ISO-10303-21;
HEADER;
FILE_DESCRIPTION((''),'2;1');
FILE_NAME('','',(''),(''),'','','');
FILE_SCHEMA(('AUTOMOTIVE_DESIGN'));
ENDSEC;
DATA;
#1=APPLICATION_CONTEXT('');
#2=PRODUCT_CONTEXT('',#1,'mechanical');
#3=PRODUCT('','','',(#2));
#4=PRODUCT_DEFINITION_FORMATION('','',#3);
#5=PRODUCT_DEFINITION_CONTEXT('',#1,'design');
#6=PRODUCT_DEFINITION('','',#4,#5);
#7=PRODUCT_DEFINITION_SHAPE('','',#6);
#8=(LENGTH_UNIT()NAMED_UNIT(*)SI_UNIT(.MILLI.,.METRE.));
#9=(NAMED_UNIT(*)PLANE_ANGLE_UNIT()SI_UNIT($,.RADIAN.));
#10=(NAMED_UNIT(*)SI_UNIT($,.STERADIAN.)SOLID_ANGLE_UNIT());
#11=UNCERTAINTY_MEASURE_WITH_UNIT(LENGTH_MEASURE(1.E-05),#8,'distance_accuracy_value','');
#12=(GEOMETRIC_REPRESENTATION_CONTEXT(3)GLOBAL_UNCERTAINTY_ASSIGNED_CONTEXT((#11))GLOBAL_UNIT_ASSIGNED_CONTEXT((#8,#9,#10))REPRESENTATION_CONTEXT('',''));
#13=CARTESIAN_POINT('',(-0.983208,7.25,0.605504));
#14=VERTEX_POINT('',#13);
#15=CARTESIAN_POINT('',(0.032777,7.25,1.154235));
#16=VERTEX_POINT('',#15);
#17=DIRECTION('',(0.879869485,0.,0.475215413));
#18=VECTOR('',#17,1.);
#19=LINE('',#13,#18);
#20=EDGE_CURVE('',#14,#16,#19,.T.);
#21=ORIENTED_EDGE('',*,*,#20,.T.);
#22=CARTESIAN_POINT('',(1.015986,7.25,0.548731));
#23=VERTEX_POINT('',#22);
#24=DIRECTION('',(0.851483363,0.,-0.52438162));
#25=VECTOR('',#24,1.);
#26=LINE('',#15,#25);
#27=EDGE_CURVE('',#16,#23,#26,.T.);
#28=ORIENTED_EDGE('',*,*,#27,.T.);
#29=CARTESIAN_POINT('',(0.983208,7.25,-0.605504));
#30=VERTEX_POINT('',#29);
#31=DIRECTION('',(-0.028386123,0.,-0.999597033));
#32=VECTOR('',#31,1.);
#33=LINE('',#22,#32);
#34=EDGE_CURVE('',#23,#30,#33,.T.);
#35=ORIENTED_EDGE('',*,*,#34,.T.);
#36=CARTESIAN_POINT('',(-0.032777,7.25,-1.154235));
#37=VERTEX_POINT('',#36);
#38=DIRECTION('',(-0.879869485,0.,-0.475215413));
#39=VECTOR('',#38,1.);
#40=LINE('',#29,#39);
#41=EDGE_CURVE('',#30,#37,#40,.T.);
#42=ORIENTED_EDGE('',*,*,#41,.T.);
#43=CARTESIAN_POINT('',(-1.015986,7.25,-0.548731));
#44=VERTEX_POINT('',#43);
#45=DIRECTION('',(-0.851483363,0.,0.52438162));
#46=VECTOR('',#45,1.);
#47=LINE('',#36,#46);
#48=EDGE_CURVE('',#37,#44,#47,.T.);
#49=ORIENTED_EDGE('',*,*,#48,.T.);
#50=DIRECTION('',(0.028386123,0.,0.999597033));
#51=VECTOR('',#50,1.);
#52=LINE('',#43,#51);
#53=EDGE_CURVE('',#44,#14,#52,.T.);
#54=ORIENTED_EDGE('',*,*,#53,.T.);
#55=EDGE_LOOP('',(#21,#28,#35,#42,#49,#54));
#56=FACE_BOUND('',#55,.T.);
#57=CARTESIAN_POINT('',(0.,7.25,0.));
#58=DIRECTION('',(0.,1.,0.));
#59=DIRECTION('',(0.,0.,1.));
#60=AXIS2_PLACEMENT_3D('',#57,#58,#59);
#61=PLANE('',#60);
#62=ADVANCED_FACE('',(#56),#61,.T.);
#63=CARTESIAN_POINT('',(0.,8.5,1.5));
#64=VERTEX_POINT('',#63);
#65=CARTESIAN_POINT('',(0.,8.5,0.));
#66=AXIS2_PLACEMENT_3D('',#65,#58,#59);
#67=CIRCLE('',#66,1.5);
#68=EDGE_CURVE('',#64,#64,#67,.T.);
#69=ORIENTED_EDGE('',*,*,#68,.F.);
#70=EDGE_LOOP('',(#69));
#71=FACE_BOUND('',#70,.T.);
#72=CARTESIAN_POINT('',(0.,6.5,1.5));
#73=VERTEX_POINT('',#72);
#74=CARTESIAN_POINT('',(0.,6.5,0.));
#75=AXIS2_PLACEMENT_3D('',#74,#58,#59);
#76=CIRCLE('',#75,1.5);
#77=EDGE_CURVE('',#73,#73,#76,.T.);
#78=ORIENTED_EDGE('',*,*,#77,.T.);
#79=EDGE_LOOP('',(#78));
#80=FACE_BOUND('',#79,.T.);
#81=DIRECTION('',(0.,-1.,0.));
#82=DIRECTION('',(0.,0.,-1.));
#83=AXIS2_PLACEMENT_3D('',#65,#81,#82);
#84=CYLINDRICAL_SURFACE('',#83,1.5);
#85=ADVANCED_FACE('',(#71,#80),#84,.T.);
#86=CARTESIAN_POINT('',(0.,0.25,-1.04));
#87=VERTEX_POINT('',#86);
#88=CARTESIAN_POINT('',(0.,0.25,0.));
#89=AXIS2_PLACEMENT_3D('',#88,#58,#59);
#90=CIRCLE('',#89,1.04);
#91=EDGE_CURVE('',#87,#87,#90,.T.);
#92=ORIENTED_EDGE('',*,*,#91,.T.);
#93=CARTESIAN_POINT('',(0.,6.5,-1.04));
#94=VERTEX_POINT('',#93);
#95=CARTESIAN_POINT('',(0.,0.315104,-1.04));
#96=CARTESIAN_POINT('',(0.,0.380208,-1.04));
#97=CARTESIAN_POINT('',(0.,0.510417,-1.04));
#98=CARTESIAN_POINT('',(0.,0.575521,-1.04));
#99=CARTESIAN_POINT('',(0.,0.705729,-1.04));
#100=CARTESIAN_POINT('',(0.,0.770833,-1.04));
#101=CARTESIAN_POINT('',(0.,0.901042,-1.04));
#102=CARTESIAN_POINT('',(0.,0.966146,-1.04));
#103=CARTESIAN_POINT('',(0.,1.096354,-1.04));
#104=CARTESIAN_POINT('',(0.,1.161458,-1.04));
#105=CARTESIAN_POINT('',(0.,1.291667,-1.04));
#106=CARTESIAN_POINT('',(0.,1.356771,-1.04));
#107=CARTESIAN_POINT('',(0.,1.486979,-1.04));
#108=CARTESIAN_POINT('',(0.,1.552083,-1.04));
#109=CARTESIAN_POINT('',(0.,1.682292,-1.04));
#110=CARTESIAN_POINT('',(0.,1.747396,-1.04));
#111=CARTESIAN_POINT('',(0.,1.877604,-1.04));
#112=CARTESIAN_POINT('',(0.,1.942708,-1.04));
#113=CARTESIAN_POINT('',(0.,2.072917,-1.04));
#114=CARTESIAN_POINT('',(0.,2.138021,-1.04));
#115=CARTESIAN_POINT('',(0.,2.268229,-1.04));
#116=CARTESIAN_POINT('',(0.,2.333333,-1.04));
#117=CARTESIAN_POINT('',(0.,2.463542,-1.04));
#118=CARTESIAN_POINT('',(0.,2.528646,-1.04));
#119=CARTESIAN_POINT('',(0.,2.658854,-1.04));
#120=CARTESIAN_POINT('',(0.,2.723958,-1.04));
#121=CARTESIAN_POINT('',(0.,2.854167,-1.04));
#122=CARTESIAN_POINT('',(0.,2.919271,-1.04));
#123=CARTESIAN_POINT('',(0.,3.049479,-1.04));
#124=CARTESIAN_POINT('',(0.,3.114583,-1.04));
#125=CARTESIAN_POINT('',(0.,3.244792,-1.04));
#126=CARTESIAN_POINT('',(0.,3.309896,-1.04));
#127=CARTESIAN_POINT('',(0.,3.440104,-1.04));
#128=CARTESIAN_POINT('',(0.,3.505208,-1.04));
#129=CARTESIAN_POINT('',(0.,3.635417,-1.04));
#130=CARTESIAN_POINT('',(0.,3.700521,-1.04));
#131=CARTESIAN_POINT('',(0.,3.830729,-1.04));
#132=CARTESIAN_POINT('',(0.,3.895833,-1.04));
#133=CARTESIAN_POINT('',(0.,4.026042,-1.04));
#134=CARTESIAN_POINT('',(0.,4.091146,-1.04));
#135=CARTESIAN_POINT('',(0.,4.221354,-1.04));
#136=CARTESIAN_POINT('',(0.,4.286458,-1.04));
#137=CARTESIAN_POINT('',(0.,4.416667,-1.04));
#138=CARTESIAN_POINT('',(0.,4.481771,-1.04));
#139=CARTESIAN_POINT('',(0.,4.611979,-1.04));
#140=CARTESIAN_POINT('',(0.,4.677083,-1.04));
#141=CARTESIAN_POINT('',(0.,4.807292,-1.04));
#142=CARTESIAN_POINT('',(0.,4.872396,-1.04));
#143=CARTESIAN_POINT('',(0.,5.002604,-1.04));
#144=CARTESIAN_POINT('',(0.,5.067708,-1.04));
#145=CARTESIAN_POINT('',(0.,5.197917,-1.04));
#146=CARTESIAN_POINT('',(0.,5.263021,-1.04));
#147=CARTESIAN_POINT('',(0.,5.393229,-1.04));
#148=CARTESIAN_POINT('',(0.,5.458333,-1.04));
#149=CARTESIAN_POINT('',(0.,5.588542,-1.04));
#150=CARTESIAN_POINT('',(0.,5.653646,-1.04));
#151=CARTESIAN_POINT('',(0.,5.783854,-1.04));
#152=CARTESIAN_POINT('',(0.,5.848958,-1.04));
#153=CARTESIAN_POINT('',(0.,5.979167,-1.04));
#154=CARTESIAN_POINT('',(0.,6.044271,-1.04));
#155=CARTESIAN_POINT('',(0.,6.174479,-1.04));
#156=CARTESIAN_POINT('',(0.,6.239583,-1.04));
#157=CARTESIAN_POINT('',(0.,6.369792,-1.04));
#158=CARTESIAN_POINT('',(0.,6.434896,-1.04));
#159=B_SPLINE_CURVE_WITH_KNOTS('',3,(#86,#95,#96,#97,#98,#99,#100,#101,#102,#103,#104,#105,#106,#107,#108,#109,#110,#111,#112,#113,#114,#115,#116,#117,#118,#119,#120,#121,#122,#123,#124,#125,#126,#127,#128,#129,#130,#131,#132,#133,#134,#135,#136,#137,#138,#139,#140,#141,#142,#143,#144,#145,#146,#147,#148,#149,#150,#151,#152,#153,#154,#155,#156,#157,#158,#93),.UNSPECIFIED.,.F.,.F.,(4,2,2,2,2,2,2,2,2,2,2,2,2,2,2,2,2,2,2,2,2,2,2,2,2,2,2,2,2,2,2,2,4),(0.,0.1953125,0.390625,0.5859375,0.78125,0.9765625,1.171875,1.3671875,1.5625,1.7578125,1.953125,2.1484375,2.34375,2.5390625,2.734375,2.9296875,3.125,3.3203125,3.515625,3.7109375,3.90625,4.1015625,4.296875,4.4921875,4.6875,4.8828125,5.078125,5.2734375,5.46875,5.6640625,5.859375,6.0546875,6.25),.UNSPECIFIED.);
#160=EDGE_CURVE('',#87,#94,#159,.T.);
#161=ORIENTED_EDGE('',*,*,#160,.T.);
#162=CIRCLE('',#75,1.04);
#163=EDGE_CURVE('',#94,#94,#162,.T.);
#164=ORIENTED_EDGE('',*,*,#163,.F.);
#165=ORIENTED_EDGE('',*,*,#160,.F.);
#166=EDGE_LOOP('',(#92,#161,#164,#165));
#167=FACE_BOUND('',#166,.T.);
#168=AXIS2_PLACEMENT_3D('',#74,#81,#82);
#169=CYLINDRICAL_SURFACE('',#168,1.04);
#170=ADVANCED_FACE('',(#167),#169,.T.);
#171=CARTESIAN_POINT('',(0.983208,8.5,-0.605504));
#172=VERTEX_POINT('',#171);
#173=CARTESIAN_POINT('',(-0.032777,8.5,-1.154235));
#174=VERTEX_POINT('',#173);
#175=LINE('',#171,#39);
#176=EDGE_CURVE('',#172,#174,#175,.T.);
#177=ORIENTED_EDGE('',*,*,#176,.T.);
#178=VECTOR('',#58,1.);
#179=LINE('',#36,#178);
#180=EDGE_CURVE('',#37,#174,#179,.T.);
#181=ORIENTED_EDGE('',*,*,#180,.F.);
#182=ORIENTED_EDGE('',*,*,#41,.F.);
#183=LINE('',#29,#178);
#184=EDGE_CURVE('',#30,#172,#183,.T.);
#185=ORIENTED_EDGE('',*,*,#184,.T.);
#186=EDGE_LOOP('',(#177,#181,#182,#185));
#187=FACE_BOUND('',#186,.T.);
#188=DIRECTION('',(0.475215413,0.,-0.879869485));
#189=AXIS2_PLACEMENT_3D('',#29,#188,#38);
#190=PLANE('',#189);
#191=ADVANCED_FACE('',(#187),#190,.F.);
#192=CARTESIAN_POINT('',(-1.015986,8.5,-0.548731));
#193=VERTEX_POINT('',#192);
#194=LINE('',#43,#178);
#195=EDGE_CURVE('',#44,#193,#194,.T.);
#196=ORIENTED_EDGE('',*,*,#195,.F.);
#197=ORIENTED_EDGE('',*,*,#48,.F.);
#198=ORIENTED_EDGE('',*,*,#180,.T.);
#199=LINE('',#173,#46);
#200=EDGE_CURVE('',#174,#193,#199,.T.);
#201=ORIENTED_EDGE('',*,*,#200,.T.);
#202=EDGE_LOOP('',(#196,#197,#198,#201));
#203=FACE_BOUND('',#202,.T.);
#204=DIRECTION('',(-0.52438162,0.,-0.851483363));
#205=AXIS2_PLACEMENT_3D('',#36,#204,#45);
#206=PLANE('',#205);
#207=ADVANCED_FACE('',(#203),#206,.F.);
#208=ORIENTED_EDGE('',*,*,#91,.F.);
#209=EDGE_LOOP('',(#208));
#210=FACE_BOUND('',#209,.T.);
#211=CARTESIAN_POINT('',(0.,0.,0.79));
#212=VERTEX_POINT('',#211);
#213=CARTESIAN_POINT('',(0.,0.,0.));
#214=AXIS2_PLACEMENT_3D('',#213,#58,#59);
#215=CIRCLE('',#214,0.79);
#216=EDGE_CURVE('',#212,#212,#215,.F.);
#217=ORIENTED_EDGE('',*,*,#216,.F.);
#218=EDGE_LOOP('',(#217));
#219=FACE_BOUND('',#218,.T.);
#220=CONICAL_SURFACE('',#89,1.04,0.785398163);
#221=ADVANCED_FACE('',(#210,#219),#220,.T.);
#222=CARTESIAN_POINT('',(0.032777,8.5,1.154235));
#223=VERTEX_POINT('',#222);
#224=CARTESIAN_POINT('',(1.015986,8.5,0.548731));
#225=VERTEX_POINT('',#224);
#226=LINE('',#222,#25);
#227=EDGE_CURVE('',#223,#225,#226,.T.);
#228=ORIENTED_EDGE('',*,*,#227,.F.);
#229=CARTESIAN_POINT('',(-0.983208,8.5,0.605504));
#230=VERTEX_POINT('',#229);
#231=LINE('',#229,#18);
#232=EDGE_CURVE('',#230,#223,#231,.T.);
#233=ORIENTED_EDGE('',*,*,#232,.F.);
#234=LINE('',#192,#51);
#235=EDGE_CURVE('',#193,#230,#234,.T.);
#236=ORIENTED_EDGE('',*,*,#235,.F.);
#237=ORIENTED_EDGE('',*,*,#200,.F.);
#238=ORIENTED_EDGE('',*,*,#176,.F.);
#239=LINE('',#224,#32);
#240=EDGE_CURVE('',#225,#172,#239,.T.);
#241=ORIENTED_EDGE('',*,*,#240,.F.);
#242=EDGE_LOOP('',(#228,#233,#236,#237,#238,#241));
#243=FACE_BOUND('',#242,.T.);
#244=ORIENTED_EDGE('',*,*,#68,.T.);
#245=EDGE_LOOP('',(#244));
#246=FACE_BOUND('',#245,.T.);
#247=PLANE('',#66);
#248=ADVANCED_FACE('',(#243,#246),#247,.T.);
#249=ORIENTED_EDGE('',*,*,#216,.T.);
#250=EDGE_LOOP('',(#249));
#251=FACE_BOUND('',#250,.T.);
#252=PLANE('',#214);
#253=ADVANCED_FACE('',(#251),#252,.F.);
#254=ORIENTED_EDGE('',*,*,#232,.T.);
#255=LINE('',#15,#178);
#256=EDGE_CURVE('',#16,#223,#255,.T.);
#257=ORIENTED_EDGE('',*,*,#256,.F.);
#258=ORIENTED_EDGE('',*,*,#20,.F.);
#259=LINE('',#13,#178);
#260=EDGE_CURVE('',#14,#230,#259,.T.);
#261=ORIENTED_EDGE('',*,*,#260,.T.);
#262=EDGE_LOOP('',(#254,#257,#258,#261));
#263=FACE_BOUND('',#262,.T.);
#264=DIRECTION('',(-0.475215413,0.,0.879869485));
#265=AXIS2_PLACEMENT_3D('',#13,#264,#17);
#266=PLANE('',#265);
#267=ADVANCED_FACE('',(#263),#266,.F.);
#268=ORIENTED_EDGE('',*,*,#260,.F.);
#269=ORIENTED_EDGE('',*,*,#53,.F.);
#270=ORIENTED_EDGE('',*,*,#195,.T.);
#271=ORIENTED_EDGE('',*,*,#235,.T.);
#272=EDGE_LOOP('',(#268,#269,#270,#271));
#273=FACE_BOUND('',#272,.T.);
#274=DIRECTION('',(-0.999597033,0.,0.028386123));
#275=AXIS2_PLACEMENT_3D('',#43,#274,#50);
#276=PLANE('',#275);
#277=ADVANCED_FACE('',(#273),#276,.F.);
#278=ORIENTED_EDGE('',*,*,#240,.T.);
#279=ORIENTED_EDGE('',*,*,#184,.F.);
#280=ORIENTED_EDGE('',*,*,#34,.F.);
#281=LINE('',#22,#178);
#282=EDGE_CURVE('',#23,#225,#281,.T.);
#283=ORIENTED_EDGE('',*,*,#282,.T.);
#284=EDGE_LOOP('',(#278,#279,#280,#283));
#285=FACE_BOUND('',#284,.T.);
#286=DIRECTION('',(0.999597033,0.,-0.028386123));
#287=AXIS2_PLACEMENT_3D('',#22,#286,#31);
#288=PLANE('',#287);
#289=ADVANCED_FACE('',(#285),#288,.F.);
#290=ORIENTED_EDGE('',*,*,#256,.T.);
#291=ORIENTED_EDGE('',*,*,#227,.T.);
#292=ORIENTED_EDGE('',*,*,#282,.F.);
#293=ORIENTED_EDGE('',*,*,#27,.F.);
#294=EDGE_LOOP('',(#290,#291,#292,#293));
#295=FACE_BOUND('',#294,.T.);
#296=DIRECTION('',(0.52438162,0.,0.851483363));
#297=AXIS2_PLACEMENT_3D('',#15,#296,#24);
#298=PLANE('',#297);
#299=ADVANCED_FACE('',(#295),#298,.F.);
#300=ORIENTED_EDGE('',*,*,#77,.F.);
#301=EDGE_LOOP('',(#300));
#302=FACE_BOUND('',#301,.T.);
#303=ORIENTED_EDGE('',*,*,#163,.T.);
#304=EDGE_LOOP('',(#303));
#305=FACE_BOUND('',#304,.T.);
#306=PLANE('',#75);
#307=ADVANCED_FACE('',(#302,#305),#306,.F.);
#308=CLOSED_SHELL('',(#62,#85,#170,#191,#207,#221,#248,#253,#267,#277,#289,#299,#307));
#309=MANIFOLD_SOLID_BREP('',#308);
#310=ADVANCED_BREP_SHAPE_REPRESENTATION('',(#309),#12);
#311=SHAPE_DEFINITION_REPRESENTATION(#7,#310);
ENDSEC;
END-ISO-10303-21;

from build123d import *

# Parameters (mm, degrees)
SKETCH1_R           = 1.04
BOSS_EXTRUDE1_DEPTH = 6.5
SKETCH2_R           = 1.5
BOSS_EXTRUDE2_DEPTH = 2
CUT_EXTRUDE1_DEPTH  = 1.25
CHAMFER1_SIZE       = 0.25


with BuildPart() as part:
    # Sketch1 → Boss-Extrude1 (new body)
    with BuildSketch(Plane(origin=(0, 0, 0), x_dir=(1, 0, 0), z_dir=(0, 1, 0))):
        with Locations(Location((0, 0, 0), (0, 0, 90))):
            Circle(SKETCH1_R)
    extrude(amount=BOSS_EXTRUDE1_DEPTH)

    # Sketch2 → Boss-Extrude2 (add)
    with BuildSketch(Plane(origin=(0, 6.5, 0), x_dir=(1, 0, 0), z_dir=(0, 1, 0))):
        with Locations(Location((0, 0, 0), (0, 0, 270))):
            Circle(SKETCH2_R)
    extrude(amount=BOSS_EXTRUDE2_DEPTH)

    # Sketch3 → Cut-Extrude1 (cut)
    with BuildSketch(Plane(origin=(0, 8.5, 0), x_dir=(1, 0, 0), z_dir=(0, 1, 0))):
        Polygon((-0.032777471, 1.154235232), (-1.015985768, 0.548731493), (-0.983208297, -0.605503739), (0.032777471, -1.154235232), (1.015985768, -0.548731493), (0.983208297, 0.605503739), align=None)
    extrude(amount=-CUT_EXTRUDE1_DEPTH, mode=Mode.SUBTRACT)

    # Chamfer1
    chamfer1_edges = [part.edges().sort_by_distance(p)[0] for p in [
        (0, 0, 1.04),
    ]]
    chamfer(chamfer1_edges, length=CHAMFER1_SIZE)


solid = part.part
